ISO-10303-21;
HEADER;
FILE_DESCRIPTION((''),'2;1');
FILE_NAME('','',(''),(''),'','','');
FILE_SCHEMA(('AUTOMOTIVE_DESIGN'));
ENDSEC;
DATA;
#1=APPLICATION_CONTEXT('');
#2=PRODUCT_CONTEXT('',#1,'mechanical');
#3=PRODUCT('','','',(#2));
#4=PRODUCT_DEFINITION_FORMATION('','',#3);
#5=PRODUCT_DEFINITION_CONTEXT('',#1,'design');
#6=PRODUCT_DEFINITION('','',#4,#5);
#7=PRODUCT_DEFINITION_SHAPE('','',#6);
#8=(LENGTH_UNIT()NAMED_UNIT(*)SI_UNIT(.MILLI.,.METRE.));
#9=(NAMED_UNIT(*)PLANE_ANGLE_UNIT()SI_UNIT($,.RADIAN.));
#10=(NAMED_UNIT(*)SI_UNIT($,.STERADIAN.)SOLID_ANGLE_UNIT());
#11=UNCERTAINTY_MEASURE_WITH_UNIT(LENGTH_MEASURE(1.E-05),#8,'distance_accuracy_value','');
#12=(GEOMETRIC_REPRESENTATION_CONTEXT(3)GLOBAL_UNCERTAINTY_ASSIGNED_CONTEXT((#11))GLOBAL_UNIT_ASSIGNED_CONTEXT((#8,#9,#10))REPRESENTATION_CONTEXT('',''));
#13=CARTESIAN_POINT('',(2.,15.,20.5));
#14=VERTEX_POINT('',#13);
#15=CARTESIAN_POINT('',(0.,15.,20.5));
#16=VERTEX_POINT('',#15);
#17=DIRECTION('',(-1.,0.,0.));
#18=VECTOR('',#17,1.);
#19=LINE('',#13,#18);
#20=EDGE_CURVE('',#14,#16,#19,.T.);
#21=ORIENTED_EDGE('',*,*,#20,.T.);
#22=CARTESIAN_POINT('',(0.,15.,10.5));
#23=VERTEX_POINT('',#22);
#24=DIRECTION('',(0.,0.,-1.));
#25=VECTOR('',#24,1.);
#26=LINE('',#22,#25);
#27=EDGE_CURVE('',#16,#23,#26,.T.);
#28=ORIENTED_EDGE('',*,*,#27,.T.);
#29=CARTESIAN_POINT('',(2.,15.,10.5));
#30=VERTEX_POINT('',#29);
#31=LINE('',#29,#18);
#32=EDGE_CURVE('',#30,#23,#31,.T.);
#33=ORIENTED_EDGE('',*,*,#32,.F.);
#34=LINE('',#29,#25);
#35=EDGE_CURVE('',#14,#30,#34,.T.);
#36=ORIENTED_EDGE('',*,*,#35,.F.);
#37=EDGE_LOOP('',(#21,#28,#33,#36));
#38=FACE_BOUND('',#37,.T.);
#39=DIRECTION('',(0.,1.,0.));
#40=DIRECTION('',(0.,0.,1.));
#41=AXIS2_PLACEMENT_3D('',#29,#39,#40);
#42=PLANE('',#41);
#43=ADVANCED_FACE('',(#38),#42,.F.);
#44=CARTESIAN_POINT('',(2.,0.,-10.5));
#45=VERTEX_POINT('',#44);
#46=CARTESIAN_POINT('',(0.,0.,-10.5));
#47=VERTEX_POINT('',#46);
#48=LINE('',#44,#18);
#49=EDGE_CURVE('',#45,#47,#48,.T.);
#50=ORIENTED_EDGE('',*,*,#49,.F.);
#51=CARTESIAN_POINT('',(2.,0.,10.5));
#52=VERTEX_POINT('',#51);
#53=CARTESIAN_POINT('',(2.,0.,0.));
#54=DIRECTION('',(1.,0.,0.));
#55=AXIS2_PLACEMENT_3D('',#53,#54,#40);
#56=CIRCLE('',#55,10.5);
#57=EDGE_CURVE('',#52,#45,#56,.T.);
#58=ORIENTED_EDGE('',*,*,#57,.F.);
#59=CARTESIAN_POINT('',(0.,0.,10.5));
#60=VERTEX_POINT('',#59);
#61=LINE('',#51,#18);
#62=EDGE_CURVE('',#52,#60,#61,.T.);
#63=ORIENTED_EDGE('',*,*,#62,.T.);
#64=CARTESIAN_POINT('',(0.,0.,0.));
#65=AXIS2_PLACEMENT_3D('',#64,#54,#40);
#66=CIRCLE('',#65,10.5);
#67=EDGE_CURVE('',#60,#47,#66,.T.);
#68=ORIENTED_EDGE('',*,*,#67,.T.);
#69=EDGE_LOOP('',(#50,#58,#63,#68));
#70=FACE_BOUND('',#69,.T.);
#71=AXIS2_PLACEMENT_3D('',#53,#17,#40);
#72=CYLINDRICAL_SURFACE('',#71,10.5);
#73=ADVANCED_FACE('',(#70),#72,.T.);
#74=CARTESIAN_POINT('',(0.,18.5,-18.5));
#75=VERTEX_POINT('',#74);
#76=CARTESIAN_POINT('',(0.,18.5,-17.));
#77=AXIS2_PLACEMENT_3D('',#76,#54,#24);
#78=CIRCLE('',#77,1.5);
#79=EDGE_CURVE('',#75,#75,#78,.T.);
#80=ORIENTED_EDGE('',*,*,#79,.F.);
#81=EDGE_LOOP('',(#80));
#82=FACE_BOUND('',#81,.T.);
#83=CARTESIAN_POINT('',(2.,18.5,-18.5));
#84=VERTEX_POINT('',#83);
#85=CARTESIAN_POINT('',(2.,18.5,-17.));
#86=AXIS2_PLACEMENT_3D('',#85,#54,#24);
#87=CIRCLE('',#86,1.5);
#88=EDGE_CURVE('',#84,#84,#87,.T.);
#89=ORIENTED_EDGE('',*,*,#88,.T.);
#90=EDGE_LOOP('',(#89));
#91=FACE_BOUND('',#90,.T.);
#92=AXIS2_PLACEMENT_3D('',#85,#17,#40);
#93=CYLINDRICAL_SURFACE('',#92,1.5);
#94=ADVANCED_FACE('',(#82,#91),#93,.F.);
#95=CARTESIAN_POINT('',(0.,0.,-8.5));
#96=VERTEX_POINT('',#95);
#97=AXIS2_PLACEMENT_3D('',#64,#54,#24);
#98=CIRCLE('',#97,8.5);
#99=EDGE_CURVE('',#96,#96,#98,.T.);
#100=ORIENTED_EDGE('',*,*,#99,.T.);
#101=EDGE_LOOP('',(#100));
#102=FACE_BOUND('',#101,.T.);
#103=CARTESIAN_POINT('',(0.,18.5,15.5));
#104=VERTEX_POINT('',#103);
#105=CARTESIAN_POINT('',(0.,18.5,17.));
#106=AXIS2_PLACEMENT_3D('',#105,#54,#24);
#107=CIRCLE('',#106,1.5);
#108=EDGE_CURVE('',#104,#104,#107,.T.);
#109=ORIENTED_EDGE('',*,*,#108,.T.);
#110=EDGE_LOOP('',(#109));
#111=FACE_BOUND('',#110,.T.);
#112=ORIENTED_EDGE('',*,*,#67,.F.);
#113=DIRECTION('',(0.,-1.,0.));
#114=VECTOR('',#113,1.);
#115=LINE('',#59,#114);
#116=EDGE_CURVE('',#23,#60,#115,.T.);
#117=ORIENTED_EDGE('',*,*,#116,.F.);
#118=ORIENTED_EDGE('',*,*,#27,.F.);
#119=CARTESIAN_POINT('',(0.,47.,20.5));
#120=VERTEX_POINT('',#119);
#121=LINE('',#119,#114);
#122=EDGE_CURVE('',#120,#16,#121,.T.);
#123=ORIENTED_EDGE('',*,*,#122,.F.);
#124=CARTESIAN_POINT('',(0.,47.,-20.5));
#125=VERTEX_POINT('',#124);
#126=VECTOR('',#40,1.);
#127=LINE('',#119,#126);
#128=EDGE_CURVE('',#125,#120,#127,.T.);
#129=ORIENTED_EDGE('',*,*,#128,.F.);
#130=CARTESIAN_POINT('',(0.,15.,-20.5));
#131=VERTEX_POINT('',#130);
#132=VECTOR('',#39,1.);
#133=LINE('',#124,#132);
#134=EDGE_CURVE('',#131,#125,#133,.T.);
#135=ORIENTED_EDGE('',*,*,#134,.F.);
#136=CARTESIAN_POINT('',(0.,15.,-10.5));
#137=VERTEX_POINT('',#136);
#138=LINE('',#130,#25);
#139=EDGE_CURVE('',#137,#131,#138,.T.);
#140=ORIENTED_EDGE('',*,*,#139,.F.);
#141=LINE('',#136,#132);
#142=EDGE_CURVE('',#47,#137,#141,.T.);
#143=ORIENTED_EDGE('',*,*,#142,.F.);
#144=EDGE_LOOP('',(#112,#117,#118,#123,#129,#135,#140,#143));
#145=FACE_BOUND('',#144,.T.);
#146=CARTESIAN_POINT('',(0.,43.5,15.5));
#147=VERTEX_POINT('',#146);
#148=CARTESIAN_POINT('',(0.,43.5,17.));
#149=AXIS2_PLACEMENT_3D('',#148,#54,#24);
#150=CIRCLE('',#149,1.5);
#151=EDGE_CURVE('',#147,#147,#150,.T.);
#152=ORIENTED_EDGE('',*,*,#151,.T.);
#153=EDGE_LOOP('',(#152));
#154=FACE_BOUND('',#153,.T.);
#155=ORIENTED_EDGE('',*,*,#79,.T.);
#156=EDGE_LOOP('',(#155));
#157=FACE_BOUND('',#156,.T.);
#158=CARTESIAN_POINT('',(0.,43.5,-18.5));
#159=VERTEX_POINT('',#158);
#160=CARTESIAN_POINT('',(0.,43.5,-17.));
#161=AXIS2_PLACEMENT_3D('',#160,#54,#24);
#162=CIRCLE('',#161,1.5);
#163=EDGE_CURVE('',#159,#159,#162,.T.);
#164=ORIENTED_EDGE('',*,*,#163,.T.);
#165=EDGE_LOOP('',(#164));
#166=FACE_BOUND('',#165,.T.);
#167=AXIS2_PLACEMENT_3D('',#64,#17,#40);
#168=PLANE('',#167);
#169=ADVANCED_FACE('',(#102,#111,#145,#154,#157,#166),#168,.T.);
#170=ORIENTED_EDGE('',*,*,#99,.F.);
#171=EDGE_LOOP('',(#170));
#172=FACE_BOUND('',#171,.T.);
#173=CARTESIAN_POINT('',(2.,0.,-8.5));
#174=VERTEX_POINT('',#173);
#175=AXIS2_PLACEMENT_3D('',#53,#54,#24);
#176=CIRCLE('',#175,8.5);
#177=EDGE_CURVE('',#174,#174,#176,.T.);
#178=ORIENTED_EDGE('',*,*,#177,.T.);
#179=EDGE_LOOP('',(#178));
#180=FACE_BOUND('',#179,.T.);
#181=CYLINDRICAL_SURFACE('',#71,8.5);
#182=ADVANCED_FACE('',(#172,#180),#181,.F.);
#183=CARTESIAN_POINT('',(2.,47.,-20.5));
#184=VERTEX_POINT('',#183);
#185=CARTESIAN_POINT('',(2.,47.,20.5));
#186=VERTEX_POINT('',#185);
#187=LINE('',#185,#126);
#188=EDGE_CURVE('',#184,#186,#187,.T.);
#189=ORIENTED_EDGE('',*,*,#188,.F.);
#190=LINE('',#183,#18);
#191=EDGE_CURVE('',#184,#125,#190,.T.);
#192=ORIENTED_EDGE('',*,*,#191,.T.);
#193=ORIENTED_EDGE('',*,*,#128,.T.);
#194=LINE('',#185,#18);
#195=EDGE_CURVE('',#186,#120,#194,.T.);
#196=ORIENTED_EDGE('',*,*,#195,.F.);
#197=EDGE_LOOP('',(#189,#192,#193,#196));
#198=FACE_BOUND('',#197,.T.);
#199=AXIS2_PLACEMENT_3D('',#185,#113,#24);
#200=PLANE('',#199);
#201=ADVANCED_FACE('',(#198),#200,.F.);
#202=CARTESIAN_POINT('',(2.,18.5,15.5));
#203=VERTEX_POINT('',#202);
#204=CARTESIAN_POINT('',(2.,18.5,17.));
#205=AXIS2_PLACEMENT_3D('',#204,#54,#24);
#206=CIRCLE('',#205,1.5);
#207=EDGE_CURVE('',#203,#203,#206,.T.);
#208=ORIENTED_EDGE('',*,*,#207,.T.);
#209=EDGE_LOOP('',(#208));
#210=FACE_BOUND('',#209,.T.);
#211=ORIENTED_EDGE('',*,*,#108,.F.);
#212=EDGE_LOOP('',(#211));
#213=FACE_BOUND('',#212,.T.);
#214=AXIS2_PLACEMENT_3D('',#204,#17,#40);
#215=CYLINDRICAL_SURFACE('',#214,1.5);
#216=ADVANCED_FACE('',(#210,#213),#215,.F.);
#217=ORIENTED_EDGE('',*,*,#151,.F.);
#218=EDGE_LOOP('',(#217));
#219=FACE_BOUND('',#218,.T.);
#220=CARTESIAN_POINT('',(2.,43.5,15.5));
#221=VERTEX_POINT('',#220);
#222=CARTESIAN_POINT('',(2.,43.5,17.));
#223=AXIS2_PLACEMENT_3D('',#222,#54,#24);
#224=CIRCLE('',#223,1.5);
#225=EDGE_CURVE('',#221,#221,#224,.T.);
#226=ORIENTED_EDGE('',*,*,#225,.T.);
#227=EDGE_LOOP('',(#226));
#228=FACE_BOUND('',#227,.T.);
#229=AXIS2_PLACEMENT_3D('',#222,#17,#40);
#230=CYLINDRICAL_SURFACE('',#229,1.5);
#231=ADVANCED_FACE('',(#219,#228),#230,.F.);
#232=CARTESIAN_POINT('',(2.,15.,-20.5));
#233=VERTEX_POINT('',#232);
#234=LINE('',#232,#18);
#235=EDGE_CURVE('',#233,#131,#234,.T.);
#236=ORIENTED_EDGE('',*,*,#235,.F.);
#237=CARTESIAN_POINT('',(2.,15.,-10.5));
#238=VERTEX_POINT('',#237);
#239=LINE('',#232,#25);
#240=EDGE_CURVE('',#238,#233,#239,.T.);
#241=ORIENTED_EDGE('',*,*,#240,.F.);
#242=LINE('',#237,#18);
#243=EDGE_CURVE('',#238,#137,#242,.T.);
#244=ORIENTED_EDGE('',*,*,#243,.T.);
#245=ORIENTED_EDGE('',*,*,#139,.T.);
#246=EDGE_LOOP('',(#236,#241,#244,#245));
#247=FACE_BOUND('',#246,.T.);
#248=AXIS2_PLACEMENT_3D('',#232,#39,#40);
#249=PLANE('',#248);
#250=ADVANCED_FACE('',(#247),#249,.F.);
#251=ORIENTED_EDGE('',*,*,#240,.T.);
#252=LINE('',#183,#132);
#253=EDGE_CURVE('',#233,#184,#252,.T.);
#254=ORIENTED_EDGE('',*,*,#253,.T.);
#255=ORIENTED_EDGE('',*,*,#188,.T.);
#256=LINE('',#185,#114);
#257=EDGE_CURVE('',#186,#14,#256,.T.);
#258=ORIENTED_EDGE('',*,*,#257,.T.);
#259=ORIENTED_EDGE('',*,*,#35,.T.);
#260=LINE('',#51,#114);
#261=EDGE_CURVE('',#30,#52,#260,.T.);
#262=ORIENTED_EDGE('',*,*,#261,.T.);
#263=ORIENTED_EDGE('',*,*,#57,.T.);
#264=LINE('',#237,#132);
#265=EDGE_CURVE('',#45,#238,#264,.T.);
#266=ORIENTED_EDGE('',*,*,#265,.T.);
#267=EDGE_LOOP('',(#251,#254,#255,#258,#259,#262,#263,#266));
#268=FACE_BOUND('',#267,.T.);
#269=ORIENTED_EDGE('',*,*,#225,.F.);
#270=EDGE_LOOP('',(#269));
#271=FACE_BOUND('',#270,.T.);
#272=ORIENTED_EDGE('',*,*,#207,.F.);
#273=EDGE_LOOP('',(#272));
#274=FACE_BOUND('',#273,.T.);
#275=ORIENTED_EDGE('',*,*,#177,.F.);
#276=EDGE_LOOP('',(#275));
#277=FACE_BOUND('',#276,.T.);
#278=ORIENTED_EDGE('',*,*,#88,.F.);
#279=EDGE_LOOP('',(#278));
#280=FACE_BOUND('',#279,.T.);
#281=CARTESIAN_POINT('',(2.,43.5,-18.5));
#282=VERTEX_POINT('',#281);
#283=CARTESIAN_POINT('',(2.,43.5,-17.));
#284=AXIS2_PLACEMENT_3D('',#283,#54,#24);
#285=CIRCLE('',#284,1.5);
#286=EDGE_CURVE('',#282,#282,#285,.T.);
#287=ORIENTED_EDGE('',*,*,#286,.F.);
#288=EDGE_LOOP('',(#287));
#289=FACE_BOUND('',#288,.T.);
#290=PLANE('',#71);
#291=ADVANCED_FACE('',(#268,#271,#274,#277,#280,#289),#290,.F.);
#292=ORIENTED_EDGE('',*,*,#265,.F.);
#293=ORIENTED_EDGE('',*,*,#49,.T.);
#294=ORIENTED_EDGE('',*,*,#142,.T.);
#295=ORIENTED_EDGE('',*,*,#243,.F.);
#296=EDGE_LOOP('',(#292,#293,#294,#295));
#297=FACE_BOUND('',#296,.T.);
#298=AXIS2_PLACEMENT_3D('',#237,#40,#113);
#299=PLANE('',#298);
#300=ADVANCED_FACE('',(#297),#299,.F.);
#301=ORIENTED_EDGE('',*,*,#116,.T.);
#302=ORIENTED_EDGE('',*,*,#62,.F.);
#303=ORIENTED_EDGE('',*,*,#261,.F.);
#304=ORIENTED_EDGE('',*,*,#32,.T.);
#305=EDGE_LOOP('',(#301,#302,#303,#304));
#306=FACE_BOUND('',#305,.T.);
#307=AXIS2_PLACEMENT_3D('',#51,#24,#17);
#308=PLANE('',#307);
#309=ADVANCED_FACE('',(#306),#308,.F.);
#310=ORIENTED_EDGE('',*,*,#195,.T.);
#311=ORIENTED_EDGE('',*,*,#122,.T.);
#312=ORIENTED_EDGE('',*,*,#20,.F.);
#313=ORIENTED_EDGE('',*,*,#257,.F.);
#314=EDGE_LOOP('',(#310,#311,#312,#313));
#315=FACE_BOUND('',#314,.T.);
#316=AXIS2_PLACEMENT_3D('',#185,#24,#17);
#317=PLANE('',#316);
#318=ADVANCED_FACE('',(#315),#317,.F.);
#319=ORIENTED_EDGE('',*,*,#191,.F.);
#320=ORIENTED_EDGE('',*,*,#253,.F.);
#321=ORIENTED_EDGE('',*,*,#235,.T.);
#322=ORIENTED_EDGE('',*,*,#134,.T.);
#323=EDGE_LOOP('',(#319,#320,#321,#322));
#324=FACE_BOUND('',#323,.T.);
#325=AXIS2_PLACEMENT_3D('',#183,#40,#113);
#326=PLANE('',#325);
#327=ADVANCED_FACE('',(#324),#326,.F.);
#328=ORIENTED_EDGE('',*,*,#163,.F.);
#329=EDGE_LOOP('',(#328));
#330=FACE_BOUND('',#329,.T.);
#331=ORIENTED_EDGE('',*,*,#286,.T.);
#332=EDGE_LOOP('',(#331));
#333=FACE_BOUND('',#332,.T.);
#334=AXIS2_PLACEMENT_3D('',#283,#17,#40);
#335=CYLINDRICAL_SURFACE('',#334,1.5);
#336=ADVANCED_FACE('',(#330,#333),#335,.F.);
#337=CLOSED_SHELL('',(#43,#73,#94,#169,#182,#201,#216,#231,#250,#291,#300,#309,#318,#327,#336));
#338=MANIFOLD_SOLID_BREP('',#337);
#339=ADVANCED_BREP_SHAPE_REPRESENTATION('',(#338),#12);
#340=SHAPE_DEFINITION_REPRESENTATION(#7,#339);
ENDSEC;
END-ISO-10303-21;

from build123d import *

# Parameters (mm, degrees)
SKETCH_1_R      = 8.5
SKETCH_1_R_2    = 1.5
EXTRUDE_1_DEPTH = 2


with BuildPart() as part:
    # 草图1 → 凸台-拉伸1 (new body)
    with BuildSketch(Plane(origin=(0, 0, 0), x_dir=(0, 0, -1), z_dir=(1, 0, 0))):
        with BuildLine():
            Line((-10.5, 0), (-10.5, 15))
            Line((-10.5, 15), (-20.5, 15))
            Line((-20.5, 15), (-20.5, 47))
            Line((-20.5, 47), (20.5, 47))
            Line((20.5, 47), (20.5, 15))
            Line((20.5, 15), (10.5, 15))
            Line((10.5, 15), (10.5, 0))
            ThreePointArc((10.5, 0), (0, -10.5), (-10.5, 0))
        make_face()
        Circle(SKETCH_1_R, mode=Mode.SUBTRACT)
        with Locations((-17, 43.5)):
            Circle(SKETCH_1_R_2, mode=Mode.SUBTRACT)
        with Locations((17, 43.5)):
            Circle(SKETCH_1_R_2, mode=Mode.SUBTRACT)
        with Locations((-17, 18.5)):
            Circle(SKETCH_1_R_2, mode=Mode.SUBTRACT)
        with Locations((17, 18.5)):
            Circle(SKETCH_1_R_2, mode=Mode.SUBTRACT)
    extrude(amount=EXTRUDE_1_DEPTH)


solid = part.part
